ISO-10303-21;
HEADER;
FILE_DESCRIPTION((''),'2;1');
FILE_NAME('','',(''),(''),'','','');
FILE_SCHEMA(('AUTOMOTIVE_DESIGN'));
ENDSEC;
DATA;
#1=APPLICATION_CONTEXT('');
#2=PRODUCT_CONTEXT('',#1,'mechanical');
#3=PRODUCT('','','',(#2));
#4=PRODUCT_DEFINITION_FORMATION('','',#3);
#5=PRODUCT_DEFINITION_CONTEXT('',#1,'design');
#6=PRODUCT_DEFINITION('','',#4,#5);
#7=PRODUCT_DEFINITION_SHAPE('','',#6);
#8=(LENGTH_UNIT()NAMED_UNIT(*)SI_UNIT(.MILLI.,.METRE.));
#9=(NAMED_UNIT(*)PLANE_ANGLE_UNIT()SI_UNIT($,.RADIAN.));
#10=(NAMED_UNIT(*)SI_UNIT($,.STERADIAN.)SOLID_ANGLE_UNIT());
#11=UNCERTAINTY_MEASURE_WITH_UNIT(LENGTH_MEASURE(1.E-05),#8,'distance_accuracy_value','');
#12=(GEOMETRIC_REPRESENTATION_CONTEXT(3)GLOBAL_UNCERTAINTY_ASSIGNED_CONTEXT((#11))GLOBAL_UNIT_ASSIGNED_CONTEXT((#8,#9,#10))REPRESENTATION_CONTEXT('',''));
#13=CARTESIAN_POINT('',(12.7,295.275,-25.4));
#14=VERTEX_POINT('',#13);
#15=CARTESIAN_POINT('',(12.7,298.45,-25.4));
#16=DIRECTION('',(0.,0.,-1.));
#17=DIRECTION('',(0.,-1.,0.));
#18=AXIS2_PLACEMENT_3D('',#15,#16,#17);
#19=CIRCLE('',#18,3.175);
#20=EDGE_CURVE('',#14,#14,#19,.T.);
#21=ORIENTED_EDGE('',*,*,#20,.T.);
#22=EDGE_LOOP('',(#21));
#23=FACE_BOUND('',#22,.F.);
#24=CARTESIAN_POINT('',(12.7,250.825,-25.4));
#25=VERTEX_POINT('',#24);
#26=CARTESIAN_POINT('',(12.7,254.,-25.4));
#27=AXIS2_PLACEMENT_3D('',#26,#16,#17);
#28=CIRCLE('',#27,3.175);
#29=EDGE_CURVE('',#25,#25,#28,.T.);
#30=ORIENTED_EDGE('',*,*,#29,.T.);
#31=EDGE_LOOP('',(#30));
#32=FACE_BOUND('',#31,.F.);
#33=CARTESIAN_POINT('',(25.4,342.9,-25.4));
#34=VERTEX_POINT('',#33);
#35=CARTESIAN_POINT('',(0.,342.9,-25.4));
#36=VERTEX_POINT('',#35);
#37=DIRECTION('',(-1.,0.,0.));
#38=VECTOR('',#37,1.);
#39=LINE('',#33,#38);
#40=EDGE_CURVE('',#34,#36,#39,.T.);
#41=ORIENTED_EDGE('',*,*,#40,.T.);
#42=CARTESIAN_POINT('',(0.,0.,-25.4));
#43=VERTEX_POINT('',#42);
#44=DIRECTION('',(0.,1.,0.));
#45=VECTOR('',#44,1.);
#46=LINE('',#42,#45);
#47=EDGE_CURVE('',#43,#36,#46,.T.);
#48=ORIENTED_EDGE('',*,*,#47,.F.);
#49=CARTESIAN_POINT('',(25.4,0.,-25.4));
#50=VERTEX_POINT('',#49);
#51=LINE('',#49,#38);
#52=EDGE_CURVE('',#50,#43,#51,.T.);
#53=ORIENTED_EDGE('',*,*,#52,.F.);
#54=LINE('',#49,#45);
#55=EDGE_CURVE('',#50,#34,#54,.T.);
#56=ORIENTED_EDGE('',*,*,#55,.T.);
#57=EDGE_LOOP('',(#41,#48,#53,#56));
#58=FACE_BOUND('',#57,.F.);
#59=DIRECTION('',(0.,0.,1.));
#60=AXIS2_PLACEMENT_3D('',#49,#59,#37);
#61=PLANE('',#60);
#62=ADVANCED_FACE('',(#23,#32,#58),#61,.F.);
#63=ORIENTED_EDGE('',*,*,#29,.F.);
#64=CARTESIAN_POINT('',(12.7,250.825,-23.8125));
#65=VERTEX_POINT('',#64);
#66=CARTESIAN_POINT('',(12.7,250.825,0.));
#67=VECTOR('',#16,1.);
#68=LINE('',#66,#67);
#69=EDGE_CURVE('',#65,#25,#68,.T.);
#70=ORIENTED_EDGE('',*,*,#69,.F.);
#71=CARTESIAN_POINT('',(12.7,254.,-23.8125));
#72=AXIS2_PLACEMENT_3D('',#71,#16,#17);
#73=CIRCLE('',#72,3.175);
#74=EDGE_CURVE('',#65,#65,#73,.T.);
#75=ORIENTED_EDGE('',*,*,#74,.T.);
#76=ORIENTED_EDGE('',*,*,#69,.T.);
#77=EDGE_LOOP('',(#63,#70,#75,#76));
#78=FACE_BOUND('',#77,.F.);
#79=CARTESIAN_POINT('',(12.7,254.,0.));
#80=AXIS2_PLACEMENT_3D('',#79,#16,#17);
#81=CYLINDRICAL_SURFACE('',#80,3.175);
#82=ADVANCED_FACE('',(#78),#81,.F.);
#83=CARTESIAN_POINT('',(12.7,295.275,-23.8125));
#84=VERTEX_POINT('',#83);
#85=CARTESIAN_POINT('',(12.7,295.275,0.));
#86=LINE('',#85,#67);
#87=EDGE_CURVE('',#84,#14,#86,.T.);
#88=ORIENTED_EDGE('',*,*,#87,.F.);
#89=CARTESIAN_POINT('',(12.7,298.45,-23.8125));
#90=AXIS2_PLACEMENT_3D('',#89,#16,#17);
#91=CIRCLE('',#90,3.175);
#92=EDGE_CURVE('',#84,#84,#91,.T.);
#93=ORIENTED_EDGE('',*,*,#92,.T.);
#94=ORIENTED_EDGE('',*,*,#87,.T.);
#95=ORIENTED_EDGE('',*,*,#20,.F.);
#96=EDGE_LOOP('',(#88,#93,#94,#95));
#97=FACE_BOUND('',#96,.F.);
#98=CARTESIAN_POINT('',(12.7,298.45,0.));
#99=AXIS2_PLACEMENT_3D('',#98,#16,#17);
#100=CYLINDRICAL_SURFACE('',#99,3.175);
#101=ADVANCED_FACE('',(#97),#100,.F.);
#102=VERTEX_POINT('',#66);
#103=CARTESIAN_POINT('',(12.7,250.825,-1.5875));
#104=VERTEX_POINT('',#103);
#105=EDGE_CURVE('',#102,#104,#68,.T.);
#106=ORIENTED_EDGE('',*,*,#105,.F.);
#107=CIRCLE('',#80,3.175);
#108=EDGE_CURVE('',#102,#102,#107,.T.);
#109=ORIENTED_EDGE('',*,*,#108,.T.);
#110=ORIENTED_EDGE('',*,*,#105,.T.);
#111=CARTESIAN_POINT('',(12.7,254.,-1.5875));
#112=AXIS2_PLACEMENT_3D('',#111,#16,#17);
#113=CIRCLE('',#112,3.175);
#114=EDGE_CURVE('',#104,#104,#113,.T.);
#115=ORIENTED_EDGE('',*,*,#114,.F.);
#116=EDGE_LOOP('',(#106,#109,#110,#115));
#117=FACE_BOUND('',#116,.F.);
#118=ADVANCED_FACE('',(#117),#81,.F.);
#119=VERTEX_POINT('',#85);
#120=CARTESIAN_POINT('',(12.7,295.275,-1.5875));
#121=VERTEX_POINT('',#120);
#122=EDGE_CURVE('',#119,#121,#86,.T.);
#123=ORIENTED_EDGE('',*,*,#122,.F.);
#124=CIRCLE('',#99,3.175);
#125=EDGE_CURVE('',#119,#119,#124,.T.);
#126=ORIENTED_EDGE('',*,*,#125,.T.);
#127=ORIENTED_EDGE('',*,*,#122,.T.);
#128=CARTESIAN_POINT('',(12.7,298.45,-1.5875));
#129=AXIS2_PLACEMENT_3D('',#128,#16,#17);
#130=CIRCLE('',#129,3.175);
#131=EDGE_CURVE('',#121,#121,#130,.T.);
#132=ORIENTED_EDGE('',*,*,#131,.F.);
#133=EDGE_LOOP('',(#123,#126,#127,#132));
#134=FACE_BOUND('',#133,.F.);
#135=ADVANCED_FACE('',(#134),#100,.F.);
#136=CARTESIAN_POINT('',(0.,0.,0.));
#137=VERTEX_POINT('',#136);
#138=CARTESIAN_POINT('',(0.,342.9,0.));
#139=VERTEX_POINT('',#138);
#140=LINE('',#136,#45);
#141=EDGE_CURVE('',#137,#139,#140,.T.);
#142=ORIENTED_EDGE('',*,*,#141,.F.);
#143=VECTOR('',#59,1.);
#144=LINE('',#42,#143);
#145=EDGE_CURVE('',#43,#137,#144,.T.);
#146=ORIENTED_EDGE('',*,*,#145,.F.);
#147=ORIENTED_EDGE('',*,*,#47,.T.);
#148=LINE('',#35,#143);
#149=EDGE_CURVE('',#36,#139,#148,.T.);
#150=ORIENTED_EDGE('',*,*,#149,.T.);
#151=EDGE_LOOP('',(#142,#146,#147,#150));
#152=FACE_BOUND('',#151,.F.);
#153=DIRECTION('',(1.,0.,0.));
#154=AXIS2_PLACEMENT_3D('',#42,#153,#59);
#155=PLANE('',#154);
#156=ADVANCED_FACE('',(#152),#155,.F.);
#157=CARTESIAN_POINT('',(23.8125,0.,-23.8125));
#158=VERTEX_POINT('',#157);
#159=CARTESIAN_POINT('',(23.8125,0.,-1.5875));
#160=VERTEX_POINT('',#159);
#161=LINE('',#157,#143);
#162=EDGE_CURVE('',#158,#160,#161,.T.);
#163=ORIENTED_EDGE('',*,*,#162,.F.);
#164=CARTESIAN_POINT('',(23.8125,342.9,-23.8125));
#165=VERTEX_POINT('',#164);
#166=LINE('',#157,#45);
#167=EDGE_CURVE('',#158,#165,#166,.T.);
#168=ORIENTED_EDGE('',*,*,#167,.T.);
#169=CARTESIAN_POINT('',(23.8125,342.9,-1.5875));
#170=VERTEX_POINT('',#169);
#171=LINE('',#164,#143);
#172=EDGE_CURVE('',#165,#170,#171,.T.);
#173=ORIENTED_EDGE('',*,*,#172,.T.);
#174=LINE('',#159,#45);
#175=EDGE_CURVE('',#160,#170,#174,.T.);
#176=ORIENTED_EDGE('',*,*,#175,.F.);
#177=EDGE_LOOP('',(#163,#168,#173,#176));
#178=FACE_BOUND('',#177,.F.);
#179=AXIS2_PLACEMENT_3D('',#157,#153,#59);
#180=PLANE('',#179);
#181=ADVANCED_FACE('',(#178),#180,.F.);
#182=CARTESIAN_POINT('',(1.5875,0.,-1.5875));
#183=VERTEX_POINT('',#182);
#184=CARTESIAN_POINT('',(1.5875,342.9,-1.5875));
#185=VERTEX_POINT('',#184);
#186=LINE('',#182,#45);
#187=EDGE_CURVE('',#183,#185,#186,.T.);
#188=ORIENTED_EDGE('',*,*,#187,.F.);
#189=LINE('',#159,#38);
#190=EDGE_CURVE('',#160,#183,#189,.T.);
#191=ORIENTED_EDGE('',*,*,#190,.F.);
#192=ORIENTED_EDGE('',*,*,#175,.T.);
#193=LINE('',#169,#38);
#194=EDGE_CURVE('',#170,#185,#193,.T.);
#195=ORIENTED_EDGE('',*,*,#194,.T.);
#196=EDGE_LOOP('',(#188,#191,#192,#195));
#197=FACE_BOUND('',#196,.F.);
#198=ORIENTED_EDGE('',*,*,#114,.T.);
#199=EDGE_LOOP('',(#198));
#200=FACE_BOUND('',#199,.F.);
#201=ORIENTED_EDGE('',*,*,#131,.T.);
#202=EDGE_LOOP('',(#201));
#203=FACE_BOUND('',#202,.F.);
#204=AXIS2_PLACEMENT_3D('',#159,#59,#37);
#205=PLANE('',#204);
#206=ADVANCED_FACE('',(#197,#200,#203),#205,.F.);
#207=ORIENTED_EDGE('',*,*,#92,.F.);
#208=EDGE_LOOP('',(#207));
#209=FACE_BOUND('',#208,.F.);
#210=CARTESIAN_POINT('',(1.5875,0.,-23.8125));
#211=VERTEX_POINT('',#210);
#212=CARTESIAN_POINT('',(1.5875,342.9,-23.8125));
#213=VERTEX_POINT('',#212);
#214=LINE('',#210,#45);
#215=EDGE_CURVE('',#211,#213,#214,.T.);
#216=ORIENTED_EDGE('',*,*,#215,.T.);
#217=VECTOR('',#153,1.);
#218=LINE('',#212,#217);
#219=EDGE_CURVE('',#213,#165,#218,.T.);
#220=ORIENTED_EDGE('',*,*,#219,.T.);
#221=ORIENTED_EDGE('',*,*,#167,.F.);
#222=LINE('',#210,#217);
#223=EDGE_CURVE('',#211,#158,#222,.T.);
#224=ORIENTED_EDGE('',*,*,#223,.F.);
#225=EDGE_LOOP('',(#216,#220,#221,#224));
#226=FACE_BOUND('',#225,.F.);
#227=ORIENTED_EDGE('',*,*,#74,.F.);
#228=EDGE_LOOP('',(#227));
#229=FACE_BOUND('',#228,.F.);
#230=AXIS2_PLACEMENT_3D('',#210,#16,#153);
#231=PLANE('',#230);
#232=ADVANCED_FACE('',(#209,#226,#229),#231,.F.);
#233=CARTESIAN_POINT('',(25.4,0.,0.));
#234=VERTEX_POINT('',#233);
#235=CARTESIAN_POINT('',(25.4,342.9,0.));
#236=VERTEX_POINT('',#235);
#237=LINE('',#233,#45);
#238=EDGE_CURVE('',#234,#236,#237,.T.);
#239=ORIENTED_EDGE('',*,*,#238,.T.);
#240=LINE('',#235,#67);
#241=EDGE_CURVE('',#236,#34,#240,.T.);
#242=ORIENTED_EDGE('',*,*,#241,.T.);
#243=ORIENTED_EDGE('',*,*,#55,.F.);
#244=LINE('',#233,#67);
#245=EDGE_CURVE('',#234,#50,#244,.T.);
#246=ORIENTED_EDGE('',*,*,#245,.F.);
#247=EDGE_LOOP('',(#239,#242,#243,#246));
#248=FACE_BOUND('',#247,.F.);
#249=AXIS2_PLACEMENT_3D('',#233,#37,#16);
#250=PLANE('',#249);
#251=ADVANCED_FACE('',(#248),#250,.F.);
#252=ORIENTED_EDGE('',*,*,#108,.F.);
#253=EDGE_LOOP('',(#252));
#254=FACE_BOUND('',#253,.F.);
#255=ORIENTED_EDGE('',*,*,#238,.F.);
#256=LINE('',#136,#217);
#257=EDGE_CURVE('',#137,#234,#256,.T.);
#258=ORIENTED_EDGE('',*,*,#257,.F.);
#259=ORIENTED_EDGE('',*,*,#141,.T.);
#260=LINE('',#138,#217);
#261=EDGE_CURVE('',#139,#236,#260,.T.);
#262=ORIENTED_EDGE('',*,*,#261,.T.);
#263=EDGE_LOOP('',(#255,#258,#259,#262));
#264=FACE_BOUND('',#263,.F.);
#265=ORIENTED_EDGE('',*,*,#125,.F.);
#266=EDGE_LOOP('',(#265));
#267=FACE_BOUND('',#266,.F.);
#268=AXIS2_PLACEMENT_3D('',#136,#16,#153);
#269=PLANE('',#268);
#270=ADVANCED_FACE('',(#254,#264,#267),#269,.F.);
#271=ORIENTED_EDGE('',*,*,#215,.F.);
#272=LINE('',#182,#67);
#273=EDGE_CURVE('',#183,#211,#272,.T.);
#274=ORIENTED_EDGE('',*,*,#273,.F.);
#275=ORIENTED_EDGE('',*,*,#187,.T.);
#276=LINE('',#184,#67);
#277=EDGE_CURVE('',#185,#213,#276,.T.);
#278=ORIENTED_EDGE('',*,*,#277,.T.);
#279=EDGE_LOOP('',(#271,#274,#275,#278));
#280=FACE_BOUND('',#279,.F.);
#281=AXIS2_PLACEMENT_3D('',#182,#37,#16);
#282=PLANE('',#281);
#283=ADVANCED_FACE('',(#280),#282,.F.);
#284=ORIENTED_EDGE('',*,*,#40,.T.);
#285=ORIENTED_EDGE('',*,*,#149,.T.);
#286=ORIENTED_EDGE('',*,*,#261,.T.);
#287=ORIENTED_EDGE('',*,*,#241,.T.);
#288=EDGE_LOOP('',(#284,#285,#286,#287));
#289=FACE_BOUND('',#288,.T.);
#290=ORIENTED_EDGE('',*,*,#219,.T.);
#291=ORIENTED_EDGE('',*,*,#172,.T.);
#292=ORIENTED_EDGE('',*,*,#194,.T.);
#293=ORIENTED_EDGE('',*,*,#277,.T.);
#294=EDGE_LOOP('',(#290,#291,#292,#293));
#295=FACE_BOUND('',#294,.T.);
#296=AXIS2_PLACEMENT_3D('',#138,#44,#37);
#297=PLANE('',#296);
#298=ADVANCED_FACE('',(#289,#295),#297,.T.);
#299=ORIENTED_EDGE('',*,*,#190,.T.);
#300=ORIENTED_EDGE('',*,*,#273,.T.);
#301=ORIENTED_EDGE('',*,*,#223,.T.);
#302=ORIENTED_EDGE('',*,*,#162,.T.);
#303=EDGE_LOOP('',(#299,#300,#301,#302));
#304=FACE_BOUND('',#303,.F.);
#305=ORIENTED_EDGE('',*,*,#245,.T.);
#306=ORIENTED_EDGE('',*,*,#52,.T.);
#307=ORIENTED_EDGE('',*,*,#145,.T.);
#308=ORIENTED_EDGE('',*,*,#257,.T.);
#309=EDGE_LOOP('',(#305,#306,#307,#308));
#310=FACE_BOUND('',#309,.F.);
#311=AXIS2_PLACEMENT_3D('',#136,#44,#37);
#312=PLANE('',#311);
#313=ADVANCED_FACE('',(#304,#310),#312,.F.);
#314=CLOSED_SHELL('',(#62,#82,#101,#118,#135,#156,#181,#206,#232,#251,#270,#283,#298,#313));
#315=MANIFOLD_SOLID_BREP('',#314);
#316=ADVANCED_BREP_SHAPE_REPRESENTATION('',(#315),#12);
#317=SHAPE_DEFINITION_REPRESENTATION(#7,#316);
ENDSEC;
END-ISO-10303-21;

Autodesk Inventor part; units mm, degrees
ref_plane "YZ Plane" through (0, 0, 0) normal (1, 0, 0) x (0, 1, 0)
ref_plane "XZ Plane" through (0, 0, 0) normal (0, 1, 0) x (-1, 0, 0)
ref_plane "XY Plane" through (0, 0, 0) normal (0, 0, 1) x (1, 0, 0)
sketch "Sketch1" plane through (0, 0, 0) normal (0, 1, 0) x (-1, 0, 0)
  line L0 (0, 0) -> (-25.4, 0)
  line L1 (-25.4, 0) -> (-25.4, -25.4)
  line L2 (-25.4, -25.4) -> (0, -25.4)
  line L3 (0, -25.4) -> (0, 0)
  line L4 (-1.5875, -23.8125) -> (-23.8125, -23.8125)
  line L5 (-23.8125, -23.8125) -> (-23.8125, -1.5875)
  line L6 (-23.8125, -1.5875) -> (-1.5875, -1.5875)
  line L7 (-1.5875, -1.5875) -> (-1.5875, -23.8125)
  dimension "d0" = 25.4
  dimension "d1" = 25.4
  dimension "d2" = 1.5875
extrude "Extrusion1" add sketch "Sketch1" along normal blind 342.9
sketch "Sketch2" plane through (0, 0, 0) normal (0, 0, 1) x (1, 0, 0)
  line L0 (0, 342.9) -> (25.4, 342.9) projected
  line L1 (0, 0) -> (0, 342.9) projected
  point P0 (12.7, 298.45)
  dimension "d5" = 44.45
  dimension "d6" = 12.7
hole "Hole1" at (12.7, 298.45, 0) direction (0, 0, -1) diameter 6.35 end through all
sketch "Sketch3" plane through (0, 0, 0) normal (0, 0, 1) x (1, 0, 0)
  line L0 (0, 342.9) -> (25.4, 342.9) projected
  line L1 (0, 0) -> (0, 342.9) projected
  point P0 (12.7, 254)
  dimension "d14" = 88.9
  dimension "d15" = 12.7
hole "Hole2" at (12.7, 254, 0) direction (0, 0, -1) diameter 6.35 end through all
properties part number "gripper main arm"
